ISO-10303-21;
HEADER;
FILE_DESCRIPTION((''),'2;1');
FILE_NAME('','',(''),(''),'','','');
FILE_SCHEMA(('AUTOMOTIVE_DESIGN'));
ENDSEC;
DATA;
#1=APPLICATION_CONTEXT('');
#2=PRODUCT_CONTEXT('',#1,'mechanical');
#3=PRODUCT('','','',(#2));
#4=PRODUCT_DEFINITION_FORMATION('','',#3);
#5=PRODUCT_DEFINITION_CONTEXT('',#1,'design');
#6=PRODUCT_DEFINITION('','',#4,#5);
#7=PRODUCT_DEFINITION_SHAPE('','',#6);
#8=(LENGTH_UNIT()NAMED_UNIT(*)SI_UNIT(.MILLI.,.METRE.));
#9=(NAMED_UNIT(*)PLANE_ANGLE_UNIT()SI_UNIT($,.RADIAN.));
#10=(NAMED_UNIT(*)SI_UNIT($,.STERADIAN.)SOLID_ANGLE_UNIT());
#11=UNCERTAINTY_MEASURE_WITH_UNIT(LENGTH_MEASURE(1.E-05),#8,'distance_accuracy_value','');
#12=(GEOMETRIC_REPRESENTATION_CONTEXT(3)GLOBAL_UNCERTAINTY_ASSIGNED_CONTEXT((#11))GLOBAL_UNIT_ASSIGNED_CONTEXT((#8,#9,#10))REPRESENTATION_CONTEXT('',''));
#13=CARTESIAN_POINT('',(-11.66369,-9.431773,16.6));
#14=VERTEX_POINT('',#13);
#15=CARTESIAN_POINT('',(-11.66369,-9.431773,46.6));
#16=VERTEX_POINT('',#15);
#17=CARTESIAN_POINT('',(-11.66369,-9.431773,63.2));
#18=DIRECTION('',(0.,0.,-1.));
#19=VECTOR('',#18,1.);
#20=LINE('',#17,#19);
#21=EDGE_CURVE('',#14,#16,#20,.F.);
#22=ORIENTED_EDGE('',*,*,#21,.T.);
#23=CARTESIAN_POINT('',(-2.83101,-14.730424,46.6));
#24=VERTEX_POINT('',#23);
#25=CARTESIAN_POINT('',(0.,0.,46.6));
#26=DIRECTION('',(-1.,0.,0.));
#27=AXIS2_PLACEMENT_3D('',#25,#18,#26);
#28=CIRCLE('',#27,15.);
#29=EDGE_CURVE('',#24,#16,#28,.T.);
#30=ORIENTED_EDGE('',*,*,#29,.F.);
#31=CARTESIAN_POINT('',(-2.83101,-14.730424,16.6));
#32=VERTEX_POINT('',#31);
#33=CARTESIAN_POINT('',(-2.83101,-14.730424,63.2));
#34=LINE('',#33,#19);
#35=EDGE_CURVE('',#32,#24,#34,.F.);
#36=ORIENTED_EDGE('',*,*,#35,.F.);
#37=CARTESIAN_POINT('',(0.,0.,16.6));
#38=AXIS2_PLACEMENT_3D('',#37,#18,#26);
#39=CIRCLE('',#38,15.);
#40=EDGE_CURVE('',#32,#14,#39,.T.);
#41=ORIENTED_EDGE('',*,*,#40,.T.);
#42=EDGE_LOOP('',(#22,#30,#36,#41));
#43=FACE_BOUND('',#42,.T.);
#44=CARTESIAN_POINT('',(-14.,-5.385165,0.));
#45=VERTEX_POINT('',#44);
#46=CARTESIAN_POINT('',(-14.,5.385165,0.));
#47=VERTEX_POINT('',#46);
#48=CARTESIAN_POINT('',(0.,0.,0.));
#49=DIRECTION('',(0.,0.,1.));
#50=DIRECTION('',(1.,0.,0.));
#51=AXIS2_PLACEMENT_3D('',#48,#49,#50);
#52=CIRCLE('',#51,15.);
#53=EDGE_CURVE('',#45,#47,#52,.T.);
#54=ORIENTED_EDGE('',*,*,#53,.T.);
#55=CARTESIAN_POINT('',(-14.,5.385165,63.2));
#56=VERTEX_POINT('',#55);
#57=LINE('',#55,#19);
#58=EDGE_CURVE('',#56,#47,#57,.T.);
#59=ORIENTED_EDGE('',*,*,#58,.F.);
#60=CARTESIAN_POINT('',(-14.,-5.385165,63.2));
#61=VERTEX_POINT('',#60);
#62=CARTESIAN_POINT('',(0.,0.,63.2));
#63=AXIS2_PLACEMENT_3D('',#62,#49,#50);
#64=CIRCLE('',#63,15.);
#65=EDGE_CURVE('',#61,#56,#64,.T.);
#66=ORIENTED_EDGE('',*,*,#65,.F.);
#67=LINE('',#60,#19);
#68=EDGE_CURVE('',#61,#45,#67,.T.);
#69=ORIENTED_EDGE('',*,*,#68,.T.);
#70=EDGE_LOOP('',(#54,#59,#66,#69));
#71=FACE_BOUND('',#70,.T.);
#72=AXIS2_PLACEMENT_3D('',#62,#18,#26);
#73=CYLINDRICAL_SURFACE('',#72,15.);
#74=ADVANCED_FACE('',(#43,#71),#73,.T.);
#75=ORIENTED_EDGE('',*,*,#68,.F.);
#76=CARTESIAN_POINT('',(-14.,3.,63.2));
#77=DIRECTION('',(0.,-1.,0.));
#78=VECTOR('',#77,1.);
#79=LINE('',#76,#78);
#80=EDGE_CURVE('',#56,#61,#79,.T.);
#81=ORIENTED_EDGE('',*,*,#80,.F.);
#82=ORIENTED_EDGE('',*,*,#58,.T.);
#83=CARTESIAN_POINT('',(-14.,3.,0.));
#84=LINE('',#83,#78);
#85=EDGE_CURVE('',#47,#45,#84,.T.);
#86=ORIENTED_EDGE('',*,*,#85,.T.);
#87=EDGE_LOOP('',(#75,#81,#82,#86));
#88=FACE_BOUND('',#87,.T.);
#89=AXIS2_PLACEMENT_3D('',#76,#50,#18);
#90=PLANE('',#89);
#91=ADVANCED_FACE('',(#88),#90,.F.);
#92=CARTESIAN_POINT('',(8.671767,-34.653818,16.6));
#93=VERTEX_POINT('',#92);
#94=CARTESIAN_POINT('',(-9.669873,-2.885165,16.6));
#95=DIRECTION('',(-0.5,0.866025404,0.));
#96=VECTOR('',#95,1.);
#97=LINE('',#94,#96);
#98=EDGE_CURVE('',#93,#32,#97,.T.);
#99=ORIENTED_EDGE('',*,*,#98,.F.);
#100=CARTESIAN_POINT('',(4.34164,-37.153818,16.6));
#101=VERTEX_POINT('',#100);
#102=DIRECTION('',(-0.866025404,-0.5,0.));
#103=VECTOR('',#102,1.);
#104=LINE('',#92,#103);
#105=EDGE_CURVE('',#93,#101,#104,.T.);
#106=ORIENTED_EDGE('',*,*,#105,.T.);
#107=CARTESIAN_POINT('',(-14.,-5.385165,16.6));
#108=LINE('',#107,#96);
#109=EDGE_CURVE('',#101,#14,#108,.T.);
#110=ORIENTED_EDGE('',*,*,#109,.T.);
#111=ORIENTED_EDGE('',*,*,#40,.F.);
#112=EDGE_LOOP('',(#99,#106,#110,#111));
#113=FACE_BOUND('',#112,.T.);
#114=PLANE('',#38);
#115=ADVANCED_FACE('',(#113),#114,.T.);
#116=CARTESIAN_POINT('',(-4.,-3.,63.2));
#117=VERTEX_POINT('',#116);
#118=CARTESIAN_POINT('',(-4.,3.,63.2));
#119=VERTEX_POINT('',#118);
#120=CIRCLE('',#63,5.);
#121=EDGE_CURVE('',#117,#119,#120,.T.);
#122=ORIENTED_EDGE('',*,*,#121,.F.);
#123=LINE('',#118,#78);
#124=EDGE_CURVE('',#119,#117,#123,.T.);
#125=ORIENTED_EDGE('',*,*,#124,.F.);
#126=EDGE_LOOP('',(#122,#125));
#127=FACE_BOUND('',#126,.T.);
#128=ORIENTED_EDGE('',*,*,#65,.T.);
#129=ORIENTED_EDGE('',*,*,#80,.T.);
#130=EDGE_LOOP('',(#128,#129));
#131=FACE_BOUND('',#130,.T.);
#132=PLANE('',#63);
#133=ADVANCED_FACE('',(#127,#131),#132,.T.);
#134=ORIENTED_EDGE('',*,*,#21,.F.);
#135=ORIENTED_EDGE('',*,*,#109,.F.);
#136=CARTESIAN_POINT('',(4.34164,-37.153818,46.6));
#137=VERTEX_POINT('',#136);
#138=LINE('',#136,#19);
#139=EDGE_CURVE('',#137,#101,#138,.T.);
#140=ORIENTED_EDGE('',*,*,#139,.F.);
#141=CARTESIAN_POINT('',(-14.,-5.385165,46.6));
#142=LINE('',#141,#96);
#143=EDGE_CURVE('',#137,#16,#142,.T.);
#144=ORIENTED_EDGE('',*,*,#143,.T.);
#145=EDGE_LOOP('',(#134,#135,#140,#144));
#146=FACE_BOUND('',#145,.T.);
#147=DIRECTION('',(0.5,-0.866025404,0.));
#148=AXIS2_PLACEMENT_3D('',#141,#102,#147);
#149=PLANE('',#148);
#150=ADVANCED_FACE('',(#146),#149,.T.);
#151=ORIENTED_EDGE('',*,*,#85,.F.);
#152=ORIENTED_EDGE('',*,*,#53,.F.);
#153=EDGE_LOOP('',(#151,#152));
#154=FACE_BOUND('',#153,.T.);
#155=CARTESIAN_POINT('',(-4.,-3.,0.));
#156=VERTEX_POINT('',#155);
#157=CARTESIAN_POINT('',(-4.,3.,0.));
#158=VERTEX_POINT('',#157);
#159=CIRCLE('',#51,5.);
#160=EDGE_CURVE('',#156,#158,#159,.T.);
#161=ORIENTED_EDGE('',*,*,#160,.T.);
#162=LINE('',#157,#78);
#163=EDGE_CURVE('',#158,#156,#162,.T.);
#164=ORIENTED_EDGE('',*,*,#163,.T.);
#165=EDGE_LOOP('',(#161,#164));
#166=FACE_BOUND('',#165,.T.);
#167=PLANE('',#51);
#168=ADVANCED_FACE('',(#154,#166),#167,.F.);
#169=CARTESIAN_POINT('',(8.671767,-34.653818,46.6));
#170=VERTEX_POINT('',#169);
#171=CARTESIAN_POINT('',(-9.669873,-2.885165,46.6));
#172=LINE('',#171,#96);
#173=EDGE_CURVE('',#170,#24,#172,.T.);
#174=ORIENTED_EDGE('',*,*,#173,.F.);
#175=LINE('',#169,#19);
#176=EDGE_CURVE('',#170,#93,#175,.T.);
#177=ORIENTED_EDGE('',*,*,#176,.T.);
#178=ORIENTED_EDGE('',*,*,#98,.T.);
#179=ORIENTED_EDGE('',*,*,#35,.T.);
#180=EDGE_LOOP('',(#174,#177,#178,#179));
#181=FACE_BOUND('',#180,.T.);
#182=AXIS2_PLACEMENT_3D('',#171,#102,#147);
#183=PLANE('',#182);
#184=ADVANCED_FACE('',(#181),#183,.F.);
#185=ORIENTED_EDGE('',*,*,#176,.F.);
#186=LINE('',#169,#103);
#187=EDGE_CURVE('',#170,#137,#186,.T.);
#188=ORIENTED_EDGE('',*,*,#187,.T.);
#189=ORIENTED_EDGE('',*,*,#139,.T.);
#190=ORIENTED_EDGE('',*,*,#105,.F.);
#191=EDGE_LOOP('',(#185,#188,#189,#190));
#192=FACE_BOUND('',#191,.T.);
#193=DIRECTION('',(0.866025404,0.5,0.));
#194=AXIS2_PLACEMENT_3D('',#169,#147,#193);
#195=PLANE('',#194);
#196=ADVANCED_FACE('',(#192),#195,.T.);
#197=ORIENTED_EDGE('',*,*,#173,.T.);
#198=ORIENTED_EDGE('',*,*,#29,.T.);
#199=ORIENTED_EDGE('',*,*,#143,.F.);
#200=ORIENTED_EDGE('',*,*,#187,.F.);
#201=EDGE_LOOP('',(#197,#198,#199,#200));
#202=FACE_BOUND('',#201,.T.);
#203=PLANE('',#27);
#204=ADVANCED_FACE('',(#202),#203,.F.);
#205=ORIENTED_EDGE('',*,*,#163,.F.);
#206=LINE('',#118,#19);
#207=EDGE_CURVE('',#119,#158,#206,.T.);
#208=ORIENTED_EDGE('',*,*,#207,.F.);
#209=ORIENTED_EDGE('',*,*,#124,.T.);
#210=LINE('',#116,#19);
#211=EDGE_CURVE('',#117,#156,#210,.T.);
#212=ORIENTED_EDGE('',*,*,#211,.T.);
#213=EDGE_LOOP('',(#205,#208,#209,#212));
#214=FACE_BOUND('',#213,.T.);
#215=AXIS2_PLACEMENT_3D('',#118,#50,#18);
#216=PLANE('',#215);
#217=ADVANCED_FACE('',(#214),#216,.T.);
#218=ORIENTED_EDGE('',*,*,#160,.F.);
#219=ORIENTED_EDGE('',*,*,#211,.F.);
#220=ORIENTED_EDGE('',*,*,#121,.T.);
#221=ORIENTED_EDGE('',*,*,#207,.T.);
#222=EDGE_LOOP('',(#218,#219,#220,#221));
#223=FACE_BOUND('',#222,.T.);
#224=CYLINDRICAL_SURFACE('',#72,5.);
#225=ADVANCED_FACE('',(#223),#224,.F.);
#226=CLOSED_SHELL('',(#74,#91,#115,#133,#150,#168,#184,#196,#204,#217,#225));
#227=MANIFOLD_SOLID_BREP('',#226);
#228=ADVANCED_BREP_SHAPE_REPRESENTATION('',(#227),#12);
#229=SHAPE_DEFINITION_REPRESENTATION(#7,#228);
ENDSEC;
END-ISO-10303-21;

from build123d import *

# Parameters (mm, degrees)
EXTRUDE_1_DEPTH = 63.2
EXTRUDE_START   = -31.6
EXTRUDE_4_DEPTH = 15


with BuildPart() as part:
    # 草图1 → 拉伸-薄壁1 (new body)
    with BuildSketch(Plane.XY):
        with BuildLine():
            Line((-14, 5.385164807), (-14, -5.385164807))
            ThreePointArc((-14, -5.385164807), (15, 0), (-14, 5.385164807))
        make_face()
        with BuildLine():
            Line((-4, 3), (-4, -3))
            ThreePointArc((-4, -3), (5, 0), (-4, 3))
        make_face(mode=Mode.SUBTRACT)
    extrude(amount=EXTRUDE_1_DEPTH)

    # 草图9 → 拉伸-薄壁4 (add, symmetric)
    with BuildSketch(Plane.XY.offset(63.2).offset(EXTRUDE_START)):
        Polygon((-14, -5.385164807), (4.341640192, -37.153817513), (8.671767211, -34.653817513), (-9.669872981, -2.885164807), align=None)
    extrude(amount=EXTRUDE_4_DEPTH, both=True)


solid = part.part
